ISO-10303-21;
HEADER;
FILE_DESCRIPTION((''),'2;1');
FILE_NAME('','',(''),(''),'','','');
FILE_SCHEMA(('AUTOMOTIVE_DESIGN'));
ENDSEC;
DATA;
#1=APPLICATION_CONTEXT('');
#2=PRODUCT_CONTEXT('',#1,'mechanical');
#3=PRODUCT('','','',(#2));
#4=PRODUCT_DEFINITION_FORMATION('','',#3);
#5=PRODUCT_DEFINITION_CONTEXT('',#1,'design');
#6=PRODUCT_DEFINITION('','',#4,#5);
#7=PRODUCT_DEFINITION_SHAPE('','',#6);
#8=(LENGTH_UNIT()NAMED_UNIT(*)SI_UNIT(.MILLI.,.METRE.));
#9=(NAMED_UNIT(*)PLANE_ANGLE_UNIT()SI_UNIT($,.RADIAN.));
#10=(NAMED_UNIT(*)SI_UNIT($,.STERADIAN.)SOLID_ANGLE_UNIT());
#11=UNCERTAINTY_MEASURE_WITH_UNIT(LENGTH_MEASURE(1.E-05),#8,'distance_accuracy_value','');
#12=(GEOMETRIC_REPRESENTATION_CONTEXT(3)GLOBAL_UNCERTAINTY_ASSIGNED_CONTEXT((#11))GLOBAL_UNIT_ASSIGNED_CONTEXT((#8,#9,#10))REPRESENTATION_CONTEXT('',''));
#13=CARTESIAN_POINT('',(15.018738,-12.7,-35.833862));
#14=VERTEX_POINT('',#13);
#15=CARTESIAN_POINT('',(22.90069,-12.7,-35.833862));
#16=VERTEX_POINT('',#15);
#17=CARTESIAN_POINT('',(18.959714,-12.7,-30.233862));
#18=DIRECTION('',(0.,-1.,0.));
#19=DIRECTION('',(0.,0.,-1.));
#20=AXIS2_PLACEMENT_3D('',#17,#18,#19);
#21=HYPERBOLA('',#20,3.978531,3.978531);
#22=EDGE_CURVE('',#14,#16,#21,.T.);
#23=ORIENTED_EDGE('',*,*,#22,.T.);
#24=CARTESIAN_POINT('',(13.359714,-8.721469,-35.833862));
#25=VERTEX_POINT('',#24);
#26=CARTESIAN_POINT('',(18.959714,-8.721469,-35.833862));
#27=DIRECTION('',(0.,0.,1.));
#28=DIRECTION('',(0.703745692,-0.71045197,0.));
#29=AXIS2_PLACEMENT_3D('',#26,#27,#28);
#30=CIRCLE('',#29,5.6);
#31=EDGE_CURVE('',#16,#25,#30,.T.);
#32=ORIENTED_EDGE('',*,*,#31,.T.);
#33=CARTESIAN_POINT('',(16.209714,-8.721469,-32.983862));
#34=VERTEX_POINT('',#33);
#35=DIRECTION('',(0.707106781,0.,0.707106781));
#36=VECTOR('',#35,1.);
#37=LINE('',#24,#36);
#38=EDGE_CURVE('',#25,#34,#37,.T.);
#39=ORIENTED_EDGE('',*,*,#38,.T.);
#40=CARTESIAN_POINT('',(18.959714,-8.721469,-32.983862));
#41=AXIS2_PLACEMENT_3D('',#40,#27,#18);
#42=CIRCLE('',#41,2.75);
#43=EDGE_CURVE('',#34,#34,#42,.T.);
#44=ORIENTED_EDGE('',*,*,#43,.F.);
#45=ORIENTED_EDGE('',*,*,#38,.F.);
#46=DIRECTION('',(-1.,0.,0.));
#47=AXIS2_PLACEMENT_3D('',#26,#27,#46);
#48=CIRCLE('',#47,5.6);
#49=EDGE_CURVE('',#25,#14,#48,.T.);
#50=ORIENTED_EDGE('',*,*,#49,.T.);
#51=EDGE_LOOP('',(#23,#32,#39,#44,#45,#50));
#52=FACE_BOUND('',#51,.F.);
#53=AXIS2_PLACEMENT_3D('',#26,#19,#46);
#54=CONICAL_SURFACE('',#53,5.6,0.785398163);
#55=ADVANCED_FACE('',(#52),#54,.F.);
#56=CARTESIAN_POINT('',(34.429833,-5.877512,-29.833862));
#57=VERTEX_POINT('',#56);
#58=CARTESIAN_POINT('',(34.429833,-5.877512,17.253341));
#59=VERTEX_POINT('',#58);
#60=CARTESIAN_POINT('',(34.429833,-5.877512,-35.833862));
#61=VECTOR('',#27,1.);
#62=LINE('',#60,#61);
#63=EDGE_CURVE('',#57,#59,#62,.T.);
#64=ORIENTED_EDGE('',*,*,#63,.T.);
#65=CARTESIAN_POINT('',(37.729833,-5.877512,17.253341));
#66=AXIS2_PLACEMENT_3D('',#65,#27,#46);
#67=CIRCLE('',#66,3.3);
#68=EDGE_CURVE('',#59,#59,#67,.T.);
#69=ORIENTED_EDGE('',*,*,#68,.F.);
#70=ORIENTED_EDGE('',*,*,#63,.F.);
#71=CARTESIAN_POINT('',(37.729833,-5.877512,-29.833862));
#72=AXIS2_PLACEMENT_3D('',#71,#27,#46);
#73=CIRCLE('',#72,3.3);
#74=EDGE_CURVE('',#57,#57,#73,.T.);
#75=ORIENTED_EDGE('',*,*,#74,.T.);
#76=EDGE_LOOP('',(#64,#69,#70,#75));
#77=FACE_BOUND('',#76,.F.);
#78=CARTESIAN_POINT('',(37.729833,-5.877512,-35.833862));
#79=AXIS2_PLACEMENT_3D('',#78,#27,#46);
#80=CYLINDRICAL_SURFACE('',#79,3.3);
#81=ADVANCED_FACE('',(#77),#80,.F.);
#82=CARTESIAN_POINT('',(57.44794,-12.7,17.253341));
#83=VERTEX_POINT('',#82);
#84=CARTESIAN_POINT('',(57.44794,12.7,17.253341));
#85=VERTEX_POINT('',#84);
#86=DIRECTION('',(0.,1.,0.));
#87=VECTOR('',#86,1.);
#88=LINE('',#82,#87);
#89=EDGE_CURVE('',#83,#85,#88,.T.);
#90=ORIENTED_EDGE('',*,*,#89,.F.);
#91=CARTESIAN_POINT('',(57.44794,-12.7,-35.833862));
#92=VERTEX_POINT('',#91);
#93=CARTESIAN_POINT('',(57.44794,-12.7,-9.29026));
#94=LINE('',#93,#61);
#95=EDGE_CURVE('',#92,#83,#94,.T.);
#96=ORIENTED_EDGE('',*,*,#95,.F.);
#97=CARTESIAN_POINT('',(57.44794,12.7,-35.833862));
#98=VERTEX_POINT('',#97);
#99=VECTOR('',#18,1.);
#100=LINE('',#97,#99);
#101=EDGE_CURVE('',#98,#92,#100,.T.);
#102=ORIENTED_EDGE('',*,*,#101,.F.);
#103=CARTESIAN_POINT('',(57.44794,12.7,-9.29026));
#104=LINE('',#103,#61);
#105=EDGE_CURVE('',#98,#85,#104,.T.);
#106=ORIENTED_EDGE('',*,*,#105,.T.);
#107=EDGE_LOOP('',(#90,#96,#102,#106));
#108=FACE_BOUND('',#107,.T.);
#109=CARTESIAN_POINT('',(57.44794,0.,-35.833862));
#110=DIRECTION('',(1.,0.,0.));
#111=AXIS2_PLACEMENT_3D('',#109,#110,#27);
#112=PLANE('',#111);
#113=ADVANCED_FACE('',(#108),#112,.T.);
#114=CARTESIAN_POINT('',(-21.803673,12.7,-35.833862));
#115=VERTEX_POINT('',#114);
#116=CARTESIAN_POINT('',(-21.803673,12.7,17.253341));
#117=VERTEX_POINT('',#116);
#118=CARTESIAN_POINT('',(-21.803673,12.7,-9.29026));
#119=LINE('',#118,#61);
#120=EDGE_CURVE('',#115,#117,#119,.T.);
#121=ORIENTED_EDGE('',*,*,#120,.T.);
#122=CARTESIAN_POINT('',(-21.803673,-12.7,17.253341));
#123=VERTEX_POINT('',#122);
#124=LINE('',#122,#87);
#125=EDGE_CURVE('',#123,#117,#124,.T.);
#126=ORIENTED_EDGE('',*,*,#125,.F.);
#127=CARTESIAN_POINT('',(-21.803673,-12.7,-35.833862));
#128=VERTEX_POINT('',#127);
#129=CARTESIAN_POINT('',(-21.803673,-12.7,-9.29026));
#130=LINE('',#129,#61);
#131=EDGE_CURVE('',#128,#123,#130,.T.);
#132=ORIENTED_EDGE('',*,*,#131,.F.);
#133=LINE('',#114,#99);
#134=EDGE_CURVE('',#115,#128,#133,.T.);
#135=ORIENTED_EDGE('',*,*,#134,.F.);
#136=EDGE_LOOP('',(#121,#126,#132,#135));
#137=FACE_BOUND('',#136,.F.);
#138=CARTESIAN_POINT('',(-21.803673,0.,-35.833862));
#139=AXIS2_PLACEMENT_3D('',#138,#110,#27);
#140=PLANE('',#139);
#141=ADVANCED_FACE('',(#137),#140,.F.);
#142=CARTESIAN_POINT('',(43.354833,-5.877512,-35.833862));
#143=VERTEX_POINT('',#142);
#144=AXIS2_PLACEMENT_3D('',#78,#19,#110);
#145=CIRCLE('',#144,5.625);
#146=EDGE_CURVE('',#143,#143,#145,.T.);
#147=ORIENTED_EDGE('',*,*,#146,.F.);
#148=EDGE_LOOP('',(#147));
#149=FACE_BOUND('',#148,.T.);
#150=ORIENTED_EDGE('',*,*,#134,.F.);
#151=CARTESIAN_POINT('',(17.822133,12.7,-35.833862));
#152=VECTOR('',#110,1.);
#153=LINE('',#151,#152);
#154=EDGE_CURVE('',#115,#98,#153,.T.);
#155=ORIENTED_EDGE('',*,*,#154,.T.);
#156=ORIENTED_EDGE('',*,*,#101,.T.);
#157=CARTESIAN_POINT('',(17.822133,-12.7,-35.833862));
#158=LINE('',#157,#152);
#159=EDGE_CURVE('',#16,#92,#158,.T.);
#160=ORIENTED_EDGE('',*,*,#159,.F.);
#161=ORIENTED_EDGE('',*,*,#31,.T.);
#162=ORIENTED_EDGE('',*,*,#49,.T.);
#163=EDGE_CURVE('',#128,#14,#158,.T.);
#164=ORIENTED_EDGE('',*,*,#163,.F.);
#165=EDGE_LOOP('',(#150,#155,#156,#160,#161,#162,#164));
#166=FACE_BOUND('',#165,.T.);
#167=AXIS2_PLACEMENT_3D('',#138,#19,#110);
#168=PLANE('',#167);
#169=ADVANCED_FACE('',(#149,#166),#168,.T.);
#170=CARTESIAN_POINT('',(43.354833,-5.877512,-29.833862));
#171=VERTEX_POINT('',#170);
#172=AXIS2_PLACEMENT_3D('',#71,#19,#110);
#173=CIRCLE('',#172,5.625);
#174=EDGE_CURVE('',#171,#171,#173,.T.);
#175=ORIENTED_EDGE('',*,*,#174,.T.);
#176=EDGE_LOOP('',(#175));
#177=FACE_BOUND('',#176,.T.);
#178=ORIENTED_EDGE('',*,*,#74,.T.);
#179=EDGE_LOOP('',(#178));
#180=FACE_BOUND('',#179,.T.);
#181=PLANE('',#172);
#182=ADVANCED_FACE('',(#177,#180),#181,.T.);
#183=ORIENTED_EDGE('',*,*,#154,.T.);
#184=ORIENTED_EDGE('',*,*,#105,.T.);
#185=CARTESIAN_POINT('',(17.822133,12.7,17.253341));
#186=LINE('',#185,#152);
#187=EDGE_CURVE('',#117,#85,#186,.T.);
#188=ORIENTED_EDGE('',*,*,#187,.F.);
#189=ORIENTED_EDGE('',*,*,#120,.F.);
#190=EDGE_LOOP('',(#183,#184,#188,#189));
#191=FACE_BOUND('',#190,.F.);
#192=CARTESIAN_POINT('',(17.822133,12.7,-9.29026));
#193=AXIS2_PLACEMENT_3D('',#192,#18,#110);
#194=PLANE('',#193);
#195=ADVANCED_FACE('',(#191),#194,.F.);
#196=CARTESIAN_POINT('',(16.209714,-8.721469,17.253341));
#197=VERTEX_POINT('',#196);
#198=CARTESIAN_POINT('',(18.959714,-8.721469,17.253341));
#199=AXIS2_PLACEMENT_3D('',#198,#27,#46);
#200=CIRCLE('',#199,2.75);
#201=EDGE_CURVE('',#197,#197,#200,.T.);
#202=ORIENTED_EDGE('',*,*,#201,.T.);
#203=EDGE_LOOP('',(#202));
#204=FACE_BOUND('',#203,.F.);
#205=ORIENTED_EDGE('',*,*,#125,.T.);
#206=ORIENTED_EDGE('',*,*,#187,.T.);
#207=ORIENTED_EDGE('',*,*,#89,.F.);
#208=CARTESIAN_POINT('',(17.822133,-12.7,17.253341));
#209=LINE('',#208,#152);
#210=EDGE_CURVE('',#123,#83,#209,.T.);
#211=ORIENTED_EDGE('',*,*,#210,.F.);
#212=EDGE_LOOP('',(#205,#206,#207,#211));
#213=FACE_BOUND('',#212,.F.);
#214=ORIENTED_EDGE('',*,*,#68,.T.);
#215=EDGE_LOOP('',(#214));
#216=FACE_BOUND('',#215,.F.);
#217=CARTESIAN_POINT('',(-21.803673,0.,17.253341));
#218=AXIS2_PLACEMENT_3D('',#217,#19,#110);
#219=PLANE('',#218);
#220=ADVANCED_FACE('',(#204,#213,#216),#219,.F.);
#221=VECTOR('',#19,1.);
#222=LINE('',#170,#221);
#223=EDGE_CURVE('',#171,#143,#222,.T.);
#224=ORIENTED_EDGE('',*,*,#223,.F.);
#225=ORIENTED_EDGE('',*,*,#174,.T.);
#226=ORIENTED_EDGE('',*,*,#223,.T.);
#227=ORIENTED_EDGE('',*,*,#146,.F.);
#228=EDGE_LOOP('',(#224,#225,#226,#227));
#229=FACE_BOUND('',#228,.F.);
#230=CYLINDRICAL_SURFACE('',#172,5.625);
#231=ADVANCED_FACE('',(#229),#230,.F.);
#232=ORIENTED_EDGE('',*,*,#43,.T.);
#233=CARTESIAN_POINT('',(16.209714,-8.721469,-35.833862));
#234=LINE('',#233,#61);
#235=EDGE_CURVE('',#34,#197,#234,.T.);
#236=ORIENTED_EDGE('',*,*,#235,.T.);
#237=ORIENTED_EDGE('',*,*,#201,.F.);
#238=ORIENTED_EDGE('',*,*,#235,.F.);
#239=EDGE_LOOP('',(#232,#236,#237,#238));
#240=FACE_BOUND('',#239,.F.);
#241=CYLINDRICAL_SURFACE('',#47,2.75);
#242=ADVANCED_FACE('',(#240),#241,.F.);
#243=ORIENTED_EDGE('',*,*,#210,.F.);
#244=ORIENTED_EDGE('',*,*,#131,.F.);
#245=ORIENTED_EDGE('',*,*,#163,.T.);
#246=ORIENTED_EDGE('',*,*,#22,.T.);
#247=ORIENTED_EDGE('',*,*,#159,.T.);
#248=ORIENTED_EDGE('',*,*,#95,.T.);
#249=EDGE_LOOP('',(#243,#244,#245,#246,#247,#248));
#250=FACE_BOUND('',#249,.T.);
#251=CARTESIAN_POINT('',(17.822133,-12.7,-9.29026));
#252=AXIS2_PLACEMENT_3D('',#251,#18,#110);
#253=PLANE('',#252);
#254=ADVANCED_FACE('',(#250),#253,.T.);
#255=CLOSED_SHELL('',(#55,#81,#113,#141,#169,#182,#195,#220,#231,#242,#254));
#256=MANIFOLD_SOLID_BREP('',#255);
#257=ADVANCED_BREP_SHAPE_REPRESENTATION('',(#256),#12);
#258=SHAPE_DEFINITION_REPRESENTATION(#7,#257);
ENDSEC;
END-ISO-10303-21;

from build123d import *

# Parameters (mm, degrees)
F0_W           = 79.2516134679
F0_H           = 53.0872028321
F1_DEPTH       = 12.7
F3_D           = 5.5
F3_CSINK_D     = 11.2
F3_CSINK_ANGLE = 90
F5_D           = 6.6
F5_CBORE_D     = 11.25
F5_CBORE_DEPTH = 6


with BuildPart() as f1:
    # F0 (on Front) → F1 (new body, symmetric)
    with BuildSketch(Plane.XZ):
        with Locations((17.8221333772, -9.2902602628)):
            Rectangle(F0_W, F0_H)
    extrude(amount=F1_DEPTH, both=True)

    # F3 (through all)
    with Locations(Plane(origin=(0, 0, -35.8338616788), x_dir=(1, 0, 0), z_dir=(0, 0, -1))):
        with Locations((18.9597140998, 8.7214689702)):
            CounterSinkHole(F3_D / 2, F3_CSINK_D / 2, counter_sink_angle=F3_CSINK_ANGLE)

    # F5 (through all)
    with Locations(Plane(origin=(0, 0, -35.8338616788), x_dir=(1, 0, 0), z_dir=(0, 0, -1))):
        with Locations((37.7298332751, 5.8775120415)):
            CounterBoreHole(F5_D / 2, F5_CBORE_D / 2, F5_CBORE_DEPTH)


solid = f1.part
